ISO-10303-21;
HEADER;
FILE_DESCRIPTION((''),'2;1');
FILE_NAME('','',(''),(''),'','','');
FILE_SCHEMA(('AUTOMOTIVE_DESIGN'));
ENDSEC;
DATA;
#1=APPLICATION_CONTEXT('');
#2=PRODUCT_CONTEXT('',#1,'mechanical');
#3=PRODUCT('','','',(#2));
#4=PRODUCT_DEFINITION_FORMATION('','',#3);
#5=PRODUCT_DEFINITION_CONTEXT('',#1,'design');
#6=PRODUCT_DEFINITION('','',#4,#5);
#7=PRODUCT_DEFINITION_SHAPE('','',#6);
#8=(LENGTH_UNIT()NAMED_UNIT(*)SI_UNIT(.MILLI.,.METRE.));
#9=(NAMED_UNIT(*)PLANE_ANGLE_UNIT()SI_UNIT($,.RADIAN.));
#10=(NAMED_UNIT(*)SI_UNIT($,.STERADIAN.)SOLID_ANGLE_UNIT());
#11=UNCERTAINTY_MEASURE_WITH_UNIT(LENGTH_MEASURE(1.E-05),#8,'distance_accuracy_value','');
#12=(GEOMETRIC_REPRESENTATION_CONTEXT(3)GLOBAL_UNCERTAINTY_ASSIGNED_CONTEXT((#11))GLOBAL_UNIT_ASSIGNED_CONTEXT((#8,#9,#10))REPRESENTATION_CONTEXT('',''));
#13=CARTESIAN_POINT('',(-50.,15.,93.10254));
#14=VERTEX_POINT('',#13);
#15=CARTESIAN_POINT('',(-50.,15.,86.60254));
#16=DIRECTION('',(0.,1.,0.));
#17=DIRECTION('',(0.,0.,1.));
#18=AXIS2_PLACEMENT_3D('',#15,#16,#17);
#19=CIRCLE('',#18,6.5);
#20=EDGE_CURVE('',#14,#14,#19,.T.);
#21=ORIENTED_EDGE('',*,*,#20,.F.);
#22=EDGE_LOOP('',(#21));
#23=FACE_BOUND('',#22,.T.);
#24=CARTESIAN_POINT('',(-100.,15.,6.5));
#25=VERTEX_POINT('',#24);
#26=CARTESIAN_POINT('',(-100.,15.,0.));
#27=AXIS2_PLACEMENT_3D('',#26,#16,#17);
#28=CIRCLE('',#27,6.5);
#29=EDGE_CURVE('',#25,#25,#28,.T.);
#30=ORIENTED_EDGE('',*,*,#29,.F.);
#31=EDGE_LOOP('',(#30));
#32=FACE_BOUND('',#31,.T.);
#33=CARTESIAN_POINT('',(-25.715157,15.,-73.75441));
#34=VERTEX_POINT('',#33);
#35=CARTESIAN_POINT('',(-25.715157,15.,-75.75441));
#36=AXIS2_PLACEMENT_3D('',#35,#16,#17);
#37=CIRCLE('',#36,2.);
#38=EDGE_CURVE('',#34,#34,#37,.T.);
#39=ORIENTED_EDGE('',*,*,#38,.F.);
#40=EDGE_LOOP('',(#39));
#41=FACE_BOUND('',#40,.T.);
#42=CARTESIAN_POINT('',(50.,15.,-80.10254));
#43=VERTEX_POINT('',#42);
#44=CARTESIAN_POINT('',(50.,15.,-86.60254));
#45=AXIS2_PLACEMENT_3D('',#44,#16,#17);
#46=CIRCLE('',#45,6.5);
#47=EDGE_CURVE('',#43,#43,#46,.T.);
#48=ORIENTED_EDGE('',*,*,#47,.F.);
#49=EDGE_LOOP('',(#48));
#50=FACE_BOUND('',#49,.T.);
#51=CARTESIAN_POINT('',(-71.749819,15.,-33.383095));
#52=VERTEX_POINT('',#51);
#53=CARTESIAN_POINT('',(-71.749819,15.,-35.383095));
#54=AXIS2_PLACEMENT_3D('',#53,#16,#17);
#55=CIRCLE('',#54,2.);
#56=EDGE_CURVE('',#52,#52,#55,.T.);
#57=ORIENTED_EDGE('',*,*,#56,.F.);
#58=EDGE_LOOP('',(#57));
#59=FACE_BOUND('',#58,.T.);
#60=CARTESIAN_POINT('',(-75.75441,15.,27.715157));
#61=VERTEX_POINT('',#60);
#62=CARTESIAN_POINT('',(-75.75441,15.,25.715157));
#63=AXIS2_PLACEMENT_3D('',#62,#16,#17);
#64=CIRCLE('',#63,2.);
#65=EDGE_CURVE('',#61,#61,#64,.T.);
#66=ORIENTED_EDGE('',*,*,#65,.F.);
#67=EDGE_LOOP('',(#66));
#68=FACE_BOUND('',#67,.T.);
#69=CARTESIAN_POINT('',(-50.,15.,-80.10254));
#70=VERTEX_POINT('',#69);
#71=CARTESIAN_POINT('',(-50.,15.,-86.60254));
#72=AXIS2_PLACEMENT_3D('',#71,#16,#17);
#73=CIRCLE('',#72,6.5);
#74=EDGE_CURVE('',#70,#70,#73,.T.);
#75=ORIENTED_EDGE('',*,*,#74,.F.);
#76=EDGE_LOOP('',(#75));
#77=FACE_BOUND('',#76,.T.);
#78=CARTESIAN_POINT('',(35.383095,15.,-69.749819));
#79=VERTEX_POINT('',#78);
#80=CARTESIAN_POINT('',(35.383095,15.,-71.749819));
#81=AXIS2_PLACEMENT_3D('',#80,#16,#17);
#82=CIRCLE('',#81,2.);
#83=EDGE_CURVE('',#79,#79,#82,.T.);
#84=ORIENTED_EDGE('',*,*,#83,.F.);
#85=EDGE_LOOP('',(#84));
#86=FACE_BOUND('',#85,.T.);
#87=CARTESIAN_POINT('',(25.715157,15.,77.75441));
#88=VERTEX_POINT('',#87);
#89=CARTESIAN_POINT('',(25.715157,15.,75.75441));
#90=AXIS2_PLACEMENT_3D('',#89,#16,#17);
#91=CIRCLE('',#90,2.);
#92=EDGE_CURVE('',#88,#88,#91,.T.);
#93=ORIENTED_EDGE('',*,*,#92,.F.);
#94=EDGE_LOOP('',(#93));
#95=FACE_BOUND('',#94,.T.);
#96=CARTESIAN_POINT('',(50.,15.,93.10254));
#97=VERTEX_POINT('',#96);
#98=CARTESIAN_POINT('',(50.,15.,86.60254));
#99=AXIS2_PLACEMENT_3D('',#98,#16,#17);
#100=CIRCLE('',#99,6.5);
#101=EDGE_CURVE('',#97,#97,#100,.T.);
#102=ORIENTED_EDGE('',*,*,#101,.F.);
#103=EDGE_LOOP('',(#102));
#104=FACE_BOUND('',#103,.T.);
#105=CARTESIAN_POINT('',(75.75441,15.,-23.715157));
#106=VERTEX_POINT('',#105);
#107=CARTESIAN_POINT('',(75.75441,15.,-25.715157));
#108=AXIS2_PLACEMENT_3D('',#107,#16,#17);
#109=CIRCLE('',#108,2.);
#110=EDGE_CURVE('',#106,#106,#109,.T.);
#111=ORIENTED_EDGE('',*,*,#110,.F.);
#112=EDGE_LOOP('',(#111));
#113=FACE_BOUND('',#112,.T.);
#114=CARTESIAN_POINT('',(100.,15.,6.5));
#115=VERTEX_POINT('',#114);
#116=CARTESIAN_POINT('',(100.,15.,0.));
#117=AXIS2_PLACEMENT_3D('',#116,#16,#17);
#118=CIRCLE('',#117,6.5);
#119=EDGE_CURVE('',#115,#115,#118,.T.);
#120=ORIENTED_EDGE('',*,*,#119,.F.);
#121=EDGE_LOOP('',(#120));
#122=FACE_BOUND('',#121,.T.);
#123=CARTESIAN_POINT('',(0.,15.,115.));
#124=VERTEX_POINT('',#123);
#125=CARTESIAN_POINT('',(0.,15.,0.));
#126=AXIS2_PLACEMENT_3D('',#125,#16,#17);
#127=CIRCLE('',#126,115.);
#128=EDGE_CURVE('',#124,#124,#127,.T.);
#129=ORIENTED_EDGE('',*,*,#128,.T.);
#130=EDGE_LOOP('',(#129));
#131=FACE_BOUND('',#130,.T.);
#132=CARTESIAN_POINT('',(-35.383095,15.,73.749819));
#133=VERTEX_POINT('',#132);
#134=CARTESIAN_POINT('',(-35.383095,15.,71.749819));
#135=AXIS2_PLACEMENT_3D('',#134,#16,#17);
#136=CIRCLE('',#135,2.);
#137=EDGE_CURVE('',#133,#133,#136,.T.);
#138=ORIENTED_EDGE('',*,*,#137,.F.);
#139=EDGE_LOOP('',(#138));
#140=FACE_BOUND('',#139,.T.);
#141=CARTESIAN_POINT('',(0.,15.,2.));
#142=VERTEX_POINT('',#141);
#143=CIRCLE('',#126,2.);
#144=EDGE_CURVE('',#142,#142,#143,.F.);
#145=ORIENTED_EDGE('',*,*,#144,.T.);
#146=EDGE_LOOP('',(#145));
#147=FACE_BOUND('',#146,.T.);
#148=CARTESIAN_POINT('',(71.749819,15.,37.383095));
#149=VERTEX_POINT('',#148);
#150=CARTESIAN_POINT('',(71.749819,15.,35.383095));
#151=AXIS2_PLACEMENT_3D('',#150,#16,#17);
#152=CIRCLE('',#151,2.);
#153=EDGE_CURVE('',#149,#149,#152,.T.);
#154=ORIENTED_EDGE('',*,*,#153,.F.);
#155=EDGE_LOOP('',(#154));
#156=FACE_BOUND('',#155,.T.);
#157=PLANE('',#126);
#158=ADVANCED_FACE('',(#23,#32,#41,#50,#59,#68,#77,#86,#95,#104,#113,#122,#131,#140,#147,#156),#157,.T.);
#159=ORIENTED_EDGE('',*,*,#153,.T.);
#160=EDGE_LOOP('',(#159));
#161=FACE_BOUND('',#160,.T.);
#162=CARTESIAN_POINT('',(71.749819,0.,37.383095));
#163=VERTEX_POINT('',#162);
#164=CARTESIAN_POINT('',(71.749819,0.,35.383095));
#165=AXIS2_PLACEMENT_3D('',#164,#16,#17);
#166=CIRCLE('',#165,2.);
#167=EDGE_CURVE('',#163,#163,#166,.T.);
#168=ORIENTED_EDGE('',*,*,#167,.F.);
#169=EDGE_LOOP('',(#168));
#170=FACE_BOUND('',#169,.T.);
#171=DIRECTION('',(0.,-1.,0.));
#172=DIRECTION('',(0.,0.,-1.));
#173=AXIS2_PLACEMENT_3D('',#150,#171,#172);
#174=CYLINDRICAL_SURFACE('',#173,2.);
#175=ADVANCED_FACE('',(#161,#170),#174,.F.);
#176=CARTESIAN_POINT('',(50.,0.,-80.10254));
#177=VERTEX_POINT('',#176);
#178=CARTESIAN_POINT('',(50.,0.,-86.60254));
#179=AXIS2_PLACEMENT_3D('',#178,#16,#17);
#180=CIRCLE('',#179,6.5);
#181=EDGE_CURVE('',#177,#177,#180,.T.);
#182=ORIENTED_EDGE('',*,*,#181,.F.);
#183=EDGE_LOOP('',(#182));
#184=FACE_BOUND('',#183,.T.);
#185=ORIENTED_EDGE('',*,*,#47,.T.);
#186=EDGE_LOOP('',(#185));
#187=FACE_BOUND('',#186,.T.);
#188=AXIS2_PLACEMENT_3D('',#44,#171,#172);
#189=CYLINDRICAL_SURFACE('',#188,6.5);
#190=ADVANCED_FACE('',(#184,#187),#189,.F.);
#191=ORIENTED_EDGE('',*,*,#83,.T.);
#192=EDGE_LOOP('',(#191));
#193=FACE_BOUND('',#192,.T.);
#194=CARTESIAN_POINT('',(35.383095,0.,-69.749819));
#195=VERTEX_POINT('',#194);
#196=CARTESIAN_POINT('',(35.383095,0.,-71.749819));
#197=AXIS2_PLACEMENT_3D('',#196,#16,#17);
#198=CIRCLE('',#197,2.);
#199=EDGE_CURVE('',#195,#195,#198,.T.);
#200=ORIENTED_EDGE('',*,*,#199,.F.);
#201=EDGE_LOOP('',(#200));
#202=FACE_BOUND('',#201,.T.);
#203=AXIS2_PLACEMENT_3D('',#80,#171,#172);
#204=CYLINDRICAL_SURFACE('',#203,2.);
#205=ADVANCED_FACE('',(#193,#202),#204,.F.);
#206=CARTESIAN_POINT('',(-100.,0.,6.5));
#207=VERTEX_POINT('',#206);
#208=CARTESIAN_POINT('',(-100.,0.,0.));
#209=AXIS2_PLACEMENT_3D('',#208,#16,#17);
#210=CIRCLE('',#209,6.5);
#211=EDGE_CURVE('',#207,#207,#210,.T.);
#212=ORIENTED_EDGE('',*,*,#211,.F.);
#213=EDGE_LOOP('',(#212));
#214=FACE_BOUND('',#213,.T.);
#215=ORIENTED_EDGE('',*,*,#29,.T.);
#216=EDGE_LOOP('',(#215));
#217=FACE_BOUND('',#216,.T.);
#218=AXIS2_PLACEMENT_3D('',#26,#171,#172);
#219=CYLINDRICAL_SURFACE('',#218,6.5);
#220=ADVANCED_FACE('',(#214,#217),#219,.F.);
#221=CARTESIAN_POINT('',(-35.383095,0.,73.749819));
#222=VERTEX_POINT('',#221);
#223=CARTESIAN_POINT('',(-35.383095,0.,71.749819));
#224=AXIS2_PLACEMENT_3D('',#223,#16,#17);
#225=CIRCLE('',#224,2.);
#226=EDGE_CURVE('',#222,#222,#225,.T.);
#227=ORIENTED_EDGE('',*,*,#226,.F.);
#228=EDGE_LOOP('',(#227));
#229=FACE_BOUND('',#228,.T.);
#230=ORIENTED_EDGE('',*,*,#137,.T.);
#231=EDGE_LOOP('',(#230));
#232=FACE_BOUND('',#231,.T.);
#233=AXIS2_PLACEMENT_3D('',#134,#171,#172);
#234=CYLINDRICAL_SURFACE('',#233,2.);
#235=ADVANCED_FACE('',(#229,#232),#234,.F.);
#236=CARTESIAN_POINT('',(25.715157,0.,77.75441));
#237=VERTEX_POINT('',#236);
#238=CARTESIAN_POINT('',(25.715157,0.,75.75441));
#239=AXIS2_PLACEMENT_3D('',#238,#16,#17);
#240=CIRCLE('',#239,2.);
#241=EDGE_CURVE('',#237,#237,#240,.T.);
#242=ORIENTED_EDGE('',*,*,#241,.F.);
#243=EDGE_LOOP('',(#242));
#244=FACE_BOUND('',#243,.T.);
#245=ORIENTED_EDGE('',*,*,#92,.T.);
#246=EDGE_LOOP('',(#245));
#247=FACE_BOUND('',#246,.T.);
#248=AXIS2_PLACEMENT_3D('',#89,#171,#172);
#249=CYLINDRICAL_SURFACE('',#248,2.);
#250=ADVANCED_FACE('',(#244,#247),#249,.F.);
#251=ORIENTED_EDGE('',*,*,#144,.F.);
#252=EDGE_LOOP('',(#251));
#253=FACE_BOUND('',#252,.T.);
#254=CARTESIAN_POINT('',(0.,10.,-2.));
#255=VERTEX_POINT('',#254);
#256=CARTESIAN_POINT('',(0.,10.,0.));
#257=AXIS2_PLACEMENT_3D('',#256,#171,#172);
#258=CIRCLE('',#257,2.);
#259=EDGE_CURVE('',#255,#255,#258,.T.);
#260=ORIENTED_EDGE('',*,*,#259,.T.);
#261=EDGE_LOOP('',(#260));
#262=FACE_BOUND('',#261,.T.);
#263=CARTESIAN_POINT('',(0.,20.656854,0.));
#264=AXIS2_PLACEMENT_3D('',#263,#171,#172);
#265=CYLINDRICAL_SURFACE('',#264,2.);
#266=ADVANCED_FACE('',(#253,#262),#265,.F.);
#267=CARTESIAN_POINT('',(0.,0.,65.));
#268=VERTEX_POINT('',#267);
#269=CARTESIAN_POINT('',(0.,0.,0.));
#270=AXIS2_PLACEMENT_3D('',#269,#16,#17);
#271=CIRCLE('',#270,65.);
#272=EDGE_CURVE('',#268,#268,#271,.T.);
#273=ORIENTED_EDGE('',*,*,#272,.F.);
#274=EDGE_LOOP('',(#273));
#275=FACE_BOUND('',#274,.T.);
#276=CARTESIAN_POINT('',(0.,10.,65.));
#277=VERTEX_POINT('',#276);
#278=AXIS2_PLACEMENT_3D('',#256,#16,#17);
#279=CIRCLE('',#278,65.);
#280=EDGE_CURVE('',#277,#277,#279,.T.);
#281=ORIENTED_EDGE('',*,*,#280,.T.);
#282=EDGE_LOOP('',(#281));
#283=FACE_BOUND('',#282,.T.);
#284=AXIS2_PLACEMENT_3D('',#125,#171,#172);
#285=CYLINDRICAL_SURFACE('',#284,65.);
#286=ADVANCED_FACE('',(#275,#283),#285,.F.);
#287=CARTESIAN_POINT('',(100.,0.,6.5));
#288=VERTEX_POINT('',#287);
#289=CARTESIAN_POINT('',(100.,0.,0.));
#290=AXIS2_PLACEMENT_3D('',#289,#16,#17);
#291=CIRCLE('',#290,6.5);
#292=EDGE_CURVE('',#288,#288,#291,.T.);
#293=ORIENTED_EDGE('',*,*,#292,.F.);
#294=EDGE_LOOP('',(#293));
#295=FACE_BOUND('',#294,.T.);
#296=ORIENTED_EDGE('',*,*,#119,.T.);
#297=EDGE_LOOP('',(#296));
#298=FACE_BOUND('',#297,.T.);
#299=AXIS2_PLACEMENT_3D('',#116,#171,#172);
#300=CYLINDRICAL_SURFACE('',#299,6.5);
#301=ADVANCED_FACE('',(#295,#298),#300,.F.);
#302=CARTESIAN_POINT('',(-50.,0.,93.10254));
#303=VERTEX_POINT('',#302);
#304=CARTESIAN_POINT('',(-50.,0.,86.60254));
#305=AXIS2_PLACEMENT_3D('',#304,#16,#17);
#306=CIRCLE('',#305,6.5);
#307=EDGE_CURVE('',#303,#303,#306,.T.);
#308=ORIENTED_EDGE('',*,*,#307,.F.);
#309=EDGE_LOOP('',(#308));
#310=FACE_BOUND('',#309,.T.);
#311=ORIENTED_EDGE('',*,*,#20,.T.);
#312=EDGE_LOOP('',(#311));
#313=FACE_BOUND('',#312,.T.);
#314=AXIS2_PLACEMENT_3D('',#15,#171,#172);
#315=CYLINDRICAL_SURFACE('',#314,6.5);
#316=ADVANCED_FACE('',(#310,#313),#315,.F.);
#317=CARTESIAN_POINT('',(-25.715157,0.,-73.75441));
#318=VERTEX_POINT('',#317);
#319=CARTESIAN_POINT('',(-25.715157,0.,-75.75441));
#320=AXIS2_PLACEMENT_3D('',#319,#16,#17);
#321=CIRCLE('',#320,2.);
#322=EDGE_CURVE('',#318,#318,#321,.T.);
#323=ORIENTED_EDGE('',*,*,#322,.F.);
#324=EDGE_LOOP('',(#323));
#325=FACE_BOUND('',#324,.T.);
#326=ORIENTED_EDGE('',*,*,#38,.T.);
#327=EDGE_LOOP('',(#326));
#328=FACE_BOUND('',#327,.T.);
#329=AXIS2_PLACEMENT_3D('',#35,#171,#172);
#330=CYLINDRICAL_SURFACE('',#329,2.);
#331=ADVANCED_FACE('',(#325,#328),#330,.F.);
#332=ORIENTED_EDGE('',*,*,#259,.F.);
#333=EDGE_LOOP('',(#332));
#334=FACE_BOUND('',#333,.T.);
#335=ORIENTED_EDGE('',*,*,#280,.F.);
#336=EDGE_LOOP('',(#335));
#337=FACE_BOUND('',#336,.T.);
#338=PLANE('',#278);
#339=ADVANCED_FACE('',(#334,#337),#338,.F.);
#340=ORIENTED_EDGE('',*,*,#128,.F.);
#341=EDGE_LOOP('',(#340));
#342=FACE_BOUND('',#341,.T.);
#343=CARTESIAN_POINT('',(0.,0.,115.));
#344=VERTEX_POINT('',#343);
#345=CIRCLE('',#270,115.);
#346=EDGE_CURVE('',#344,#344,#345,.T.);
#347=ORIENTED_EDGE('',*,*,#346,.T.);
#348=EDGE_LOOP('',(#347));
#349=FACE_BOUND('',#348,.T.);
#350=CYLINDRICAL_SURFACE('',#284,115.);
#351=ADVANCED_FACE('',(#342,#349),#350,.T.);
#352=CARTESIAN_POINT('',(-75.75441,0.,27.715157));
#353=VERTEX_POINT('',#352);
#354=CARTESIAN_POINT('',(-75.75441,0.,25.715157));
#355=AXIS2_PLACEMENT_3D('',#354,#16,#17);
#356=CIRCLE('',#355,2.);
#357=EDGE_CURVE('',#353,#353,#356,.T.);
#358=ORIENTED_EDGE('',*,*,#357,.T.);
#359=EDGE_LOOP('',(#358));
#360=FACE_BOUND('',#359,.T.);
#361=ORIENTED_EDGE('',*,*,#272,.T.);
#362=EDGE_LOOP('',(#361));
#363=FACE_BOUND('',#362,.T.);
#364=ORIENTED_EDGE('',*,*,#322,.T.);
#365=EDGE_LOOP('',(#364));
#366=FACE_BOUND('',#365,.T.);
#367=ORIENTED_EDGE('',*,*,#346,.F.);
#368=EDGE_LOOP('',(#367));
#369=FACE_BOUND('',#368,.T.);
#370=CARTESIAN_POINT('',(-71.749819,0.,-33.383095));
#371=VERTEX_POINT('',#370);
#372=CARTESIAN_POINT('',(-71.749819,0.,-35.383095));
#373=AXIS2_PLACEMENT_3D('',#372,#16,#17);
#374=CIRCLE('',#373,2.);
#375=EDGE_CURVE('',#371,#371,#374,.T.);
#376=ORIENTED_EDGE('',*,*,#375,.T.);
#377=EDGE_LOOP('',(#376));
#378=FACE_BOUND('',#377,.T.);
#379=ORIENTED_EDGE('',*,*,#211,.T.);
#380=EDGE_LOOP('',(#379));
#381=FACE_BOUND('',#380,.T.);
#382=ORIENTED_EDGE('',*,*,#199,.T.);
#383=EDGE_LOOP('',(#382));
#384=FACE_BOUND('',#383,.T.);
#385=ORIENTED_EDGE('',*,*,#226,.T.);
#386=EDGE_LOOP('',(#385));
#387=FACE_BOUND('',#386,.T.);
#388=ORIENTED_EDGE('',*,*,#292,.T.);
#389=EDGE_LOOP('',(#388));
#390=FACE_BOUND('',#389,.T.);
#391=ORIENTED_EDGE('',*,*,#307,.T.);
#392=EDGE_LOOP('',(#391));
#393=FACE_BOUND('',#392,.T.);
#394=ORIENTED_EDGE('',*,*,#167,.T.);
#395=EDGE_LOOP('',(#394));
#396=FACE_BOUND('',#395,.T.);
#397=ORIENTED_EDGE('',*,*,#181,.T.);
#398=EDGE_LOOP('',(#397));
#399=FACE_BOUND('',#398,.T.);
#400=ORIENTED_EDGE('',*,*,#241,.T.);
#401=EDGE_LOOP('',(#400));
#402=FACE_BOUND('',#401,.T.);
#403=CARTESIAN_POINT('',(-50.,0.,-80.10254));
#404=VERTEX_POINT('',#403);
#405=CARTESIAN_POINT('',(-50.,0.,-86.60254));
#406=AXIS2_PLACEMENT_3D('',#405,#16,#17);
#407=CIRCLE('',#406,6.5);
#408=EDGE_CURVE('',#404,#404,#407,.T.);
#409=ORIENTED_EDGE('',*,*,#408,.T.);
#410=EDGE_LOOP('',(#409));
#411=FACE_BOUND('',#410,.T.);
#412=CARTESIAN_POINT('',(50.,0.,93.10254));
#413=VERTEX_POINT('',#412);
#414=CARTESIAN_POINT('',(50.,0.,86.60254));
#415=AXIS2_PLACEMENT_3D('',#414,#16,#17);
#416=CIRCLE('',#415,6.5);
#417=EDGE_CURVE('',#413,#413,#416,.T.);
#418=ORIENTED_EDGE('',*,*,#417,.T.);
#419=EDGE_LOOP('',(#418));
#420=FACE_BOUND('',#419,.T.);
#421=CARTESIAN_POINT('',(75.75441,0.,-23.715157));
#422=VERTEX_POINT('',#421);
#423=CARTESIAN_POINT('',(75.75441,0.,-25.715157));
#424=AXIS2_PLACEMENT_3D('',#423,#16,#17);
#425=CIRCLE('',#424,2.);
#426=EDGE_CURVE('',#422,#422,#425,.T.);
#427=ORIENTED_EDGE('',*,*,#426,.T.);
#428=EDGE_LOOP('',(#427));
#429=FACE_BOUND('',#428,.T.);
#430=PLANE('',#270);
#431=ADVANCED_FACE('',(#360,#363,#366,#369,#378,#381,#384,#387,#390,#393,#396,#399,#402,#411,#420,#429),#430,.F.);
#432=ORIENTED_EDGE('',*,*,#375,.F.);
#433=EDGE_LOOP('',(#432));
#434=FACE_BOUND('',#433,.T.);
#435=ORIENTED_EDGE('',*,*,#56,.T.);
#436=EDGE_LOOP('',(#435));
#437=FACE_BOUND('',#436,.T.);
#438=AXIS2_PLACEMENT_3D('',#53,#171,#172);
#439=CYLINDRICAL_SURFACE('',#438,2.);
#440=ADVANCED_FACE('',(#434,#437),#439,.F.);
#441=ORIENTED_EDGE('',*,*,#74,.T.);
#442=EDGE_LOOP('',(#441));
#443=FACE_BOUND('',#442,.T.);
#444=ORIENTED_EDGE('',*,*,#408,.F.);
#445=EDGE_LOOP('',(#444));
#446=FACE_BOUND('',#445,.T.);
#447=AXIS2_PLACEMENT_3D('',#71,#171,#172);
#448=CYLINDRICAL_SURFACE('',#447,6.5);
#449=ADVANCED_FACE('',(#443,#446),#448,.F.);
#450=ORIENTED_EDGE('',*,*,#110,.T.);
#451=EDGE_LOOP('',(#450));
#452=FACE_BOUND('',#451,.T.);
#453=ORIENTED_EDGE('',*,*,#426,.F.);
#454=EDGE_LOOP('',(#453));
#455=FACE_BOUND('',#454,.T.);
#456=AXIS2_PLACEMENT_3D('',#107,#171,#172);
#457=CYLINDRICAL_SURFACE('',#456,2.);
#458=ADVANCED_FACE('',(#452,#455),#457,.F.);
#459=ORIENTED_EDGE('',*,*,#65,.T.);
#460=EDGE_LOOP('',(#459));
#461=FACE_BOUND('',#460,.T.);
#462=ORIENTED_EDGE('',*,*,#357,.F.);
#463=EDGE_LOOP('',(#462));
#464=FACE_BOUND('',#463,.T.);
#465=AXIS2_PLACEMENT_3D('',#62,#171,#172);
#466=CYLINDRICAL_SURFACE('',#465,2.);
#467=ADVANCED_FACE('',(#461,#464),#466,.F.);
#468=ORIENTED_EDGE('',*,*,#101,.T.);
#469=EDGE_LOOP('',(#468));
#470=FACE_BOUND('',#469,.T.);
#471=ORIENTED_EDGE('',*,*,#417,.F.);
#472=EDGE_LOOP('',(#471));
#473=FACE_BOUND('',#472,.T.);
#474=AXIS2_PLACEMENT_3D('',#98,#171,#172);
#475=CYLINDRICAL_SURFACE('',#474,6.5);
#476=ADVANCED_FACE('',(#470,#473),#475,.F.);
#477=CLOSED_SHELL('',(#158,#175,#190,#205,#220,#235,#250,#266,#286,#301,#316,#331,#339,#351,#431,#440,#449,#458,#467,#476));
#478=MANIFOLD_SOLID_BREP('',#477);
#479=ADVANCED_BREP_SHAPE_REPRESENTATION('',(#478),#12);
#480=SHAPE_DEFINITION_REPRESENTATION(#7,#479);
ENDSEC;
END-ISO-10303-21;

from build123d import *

# Parameters (mm, degrees)
SKETCH1_R           = 115
SKETCH1_R_2         = 65
SKETCH1_R_3         = 6.5
SKETCH1_R_4         = 2
BOSS_EXTRUDE1_DEPTH = 15
SKETCH2_R           = 65
BOSS_EXTRUDE2_DEPTH = 5
SKETCH4_R           = 2
CUT_EXTRUDE1_DEPTH  = 5


with BuildPart() as part:
    # Sketch1 → Boss-Extrude1 (new body)
    with BuildSketch(Plane(origin=(0, 0, 0), x_dir=(1, 0, 0), z_dir=(0, 1, 0))):
        Circle(SKETCH1_R)
        Circle(SKETCH1_R_2, mode=Mode.SUBTRACT)
        with Locations((50, 86.602540378)):
            Circle(SKETCH1_R_3, mode=Mode.SUBTRACT)
        with Locations((100, 0)):
            Circle(SKETCH1_R_3, mode=Mode.SUBTRACT)
        with Locations((50, -86.602540378)):
            Circle(SKETCH1_R_3, mode=Mode.SUBTRACT)
        with Locations((-50, -86.602540378)):
            Circle(SKETCH1_R_3, mode=Mode.SUBTRACT)
        with Locations((-100, 0)):
            Circle(SKETCH1_R_3, mode=Mode.SUBTRACT)
        with Locations((-50, 86.602540378)):
            Circle(SKETCH1_R_3, mode=Mode.SUBTRACT)
        with Locations((-25.715157224, 75.75441036)):
            Circle(SKETCH1_R_4, mode=Mode.SUBTRACT)
        with Locations((35.383095218, 71.749819323)):
            Circle(SKETCH1_R_4, mode=Mode.SUBTRACT)
        with Locations((75.75441036, 25.715157224)):
            Circle(SKETCH1_R_4, mode=Mode.SUBTRACT)
        with Locations((71.749819323, -35.383095218)):
            Circle(SKETCH1_R_4, mode=Mode.SUBTRACT)
        with Locations((25.715157224, -75.75441036)):
            Circle(SKETCH1_R_4, mode=Mode.SUBTRACT)
        with Locations((-35.383095218, -71.749819323)):
            Circle(SKETCH1_R_4, mode=Mode.SUBTRACT)
        with Locations((-75.75441036, -25.715157224)):
            Circle(SKETCH1_R_4, mode=Mode.SUBTRACT)
        with Locations((-71.749819323, 35.383095218)):
            Circle(SKETCH1_R_4, mode=Mode.SUBTRACT)
    extrude(amount=BOSS_EXTRUDE1_DEPTH)

    # Sketch2 → Boss-Extrude2 (add)
    with BuildSketch(Plane(origin=(0, 15, 0), x_dir=(1, 0, 0), z_dir=(0, 1, 0))):
        Circle(SKETCH2_R)
    extrude(amount=-BOSS_EXTRUDE2_DEPTH)

    # Sketch4 → Cut-Extrude1 (cut)
    with BuildSketch(Plane.XZ.offset(-10)):
        Circle(SKETCH4_R)
    extrude(amount=-CUT_EXTRUDE1_DEPTH, mode=Mode.SUBTRACT)


solid = part.part
